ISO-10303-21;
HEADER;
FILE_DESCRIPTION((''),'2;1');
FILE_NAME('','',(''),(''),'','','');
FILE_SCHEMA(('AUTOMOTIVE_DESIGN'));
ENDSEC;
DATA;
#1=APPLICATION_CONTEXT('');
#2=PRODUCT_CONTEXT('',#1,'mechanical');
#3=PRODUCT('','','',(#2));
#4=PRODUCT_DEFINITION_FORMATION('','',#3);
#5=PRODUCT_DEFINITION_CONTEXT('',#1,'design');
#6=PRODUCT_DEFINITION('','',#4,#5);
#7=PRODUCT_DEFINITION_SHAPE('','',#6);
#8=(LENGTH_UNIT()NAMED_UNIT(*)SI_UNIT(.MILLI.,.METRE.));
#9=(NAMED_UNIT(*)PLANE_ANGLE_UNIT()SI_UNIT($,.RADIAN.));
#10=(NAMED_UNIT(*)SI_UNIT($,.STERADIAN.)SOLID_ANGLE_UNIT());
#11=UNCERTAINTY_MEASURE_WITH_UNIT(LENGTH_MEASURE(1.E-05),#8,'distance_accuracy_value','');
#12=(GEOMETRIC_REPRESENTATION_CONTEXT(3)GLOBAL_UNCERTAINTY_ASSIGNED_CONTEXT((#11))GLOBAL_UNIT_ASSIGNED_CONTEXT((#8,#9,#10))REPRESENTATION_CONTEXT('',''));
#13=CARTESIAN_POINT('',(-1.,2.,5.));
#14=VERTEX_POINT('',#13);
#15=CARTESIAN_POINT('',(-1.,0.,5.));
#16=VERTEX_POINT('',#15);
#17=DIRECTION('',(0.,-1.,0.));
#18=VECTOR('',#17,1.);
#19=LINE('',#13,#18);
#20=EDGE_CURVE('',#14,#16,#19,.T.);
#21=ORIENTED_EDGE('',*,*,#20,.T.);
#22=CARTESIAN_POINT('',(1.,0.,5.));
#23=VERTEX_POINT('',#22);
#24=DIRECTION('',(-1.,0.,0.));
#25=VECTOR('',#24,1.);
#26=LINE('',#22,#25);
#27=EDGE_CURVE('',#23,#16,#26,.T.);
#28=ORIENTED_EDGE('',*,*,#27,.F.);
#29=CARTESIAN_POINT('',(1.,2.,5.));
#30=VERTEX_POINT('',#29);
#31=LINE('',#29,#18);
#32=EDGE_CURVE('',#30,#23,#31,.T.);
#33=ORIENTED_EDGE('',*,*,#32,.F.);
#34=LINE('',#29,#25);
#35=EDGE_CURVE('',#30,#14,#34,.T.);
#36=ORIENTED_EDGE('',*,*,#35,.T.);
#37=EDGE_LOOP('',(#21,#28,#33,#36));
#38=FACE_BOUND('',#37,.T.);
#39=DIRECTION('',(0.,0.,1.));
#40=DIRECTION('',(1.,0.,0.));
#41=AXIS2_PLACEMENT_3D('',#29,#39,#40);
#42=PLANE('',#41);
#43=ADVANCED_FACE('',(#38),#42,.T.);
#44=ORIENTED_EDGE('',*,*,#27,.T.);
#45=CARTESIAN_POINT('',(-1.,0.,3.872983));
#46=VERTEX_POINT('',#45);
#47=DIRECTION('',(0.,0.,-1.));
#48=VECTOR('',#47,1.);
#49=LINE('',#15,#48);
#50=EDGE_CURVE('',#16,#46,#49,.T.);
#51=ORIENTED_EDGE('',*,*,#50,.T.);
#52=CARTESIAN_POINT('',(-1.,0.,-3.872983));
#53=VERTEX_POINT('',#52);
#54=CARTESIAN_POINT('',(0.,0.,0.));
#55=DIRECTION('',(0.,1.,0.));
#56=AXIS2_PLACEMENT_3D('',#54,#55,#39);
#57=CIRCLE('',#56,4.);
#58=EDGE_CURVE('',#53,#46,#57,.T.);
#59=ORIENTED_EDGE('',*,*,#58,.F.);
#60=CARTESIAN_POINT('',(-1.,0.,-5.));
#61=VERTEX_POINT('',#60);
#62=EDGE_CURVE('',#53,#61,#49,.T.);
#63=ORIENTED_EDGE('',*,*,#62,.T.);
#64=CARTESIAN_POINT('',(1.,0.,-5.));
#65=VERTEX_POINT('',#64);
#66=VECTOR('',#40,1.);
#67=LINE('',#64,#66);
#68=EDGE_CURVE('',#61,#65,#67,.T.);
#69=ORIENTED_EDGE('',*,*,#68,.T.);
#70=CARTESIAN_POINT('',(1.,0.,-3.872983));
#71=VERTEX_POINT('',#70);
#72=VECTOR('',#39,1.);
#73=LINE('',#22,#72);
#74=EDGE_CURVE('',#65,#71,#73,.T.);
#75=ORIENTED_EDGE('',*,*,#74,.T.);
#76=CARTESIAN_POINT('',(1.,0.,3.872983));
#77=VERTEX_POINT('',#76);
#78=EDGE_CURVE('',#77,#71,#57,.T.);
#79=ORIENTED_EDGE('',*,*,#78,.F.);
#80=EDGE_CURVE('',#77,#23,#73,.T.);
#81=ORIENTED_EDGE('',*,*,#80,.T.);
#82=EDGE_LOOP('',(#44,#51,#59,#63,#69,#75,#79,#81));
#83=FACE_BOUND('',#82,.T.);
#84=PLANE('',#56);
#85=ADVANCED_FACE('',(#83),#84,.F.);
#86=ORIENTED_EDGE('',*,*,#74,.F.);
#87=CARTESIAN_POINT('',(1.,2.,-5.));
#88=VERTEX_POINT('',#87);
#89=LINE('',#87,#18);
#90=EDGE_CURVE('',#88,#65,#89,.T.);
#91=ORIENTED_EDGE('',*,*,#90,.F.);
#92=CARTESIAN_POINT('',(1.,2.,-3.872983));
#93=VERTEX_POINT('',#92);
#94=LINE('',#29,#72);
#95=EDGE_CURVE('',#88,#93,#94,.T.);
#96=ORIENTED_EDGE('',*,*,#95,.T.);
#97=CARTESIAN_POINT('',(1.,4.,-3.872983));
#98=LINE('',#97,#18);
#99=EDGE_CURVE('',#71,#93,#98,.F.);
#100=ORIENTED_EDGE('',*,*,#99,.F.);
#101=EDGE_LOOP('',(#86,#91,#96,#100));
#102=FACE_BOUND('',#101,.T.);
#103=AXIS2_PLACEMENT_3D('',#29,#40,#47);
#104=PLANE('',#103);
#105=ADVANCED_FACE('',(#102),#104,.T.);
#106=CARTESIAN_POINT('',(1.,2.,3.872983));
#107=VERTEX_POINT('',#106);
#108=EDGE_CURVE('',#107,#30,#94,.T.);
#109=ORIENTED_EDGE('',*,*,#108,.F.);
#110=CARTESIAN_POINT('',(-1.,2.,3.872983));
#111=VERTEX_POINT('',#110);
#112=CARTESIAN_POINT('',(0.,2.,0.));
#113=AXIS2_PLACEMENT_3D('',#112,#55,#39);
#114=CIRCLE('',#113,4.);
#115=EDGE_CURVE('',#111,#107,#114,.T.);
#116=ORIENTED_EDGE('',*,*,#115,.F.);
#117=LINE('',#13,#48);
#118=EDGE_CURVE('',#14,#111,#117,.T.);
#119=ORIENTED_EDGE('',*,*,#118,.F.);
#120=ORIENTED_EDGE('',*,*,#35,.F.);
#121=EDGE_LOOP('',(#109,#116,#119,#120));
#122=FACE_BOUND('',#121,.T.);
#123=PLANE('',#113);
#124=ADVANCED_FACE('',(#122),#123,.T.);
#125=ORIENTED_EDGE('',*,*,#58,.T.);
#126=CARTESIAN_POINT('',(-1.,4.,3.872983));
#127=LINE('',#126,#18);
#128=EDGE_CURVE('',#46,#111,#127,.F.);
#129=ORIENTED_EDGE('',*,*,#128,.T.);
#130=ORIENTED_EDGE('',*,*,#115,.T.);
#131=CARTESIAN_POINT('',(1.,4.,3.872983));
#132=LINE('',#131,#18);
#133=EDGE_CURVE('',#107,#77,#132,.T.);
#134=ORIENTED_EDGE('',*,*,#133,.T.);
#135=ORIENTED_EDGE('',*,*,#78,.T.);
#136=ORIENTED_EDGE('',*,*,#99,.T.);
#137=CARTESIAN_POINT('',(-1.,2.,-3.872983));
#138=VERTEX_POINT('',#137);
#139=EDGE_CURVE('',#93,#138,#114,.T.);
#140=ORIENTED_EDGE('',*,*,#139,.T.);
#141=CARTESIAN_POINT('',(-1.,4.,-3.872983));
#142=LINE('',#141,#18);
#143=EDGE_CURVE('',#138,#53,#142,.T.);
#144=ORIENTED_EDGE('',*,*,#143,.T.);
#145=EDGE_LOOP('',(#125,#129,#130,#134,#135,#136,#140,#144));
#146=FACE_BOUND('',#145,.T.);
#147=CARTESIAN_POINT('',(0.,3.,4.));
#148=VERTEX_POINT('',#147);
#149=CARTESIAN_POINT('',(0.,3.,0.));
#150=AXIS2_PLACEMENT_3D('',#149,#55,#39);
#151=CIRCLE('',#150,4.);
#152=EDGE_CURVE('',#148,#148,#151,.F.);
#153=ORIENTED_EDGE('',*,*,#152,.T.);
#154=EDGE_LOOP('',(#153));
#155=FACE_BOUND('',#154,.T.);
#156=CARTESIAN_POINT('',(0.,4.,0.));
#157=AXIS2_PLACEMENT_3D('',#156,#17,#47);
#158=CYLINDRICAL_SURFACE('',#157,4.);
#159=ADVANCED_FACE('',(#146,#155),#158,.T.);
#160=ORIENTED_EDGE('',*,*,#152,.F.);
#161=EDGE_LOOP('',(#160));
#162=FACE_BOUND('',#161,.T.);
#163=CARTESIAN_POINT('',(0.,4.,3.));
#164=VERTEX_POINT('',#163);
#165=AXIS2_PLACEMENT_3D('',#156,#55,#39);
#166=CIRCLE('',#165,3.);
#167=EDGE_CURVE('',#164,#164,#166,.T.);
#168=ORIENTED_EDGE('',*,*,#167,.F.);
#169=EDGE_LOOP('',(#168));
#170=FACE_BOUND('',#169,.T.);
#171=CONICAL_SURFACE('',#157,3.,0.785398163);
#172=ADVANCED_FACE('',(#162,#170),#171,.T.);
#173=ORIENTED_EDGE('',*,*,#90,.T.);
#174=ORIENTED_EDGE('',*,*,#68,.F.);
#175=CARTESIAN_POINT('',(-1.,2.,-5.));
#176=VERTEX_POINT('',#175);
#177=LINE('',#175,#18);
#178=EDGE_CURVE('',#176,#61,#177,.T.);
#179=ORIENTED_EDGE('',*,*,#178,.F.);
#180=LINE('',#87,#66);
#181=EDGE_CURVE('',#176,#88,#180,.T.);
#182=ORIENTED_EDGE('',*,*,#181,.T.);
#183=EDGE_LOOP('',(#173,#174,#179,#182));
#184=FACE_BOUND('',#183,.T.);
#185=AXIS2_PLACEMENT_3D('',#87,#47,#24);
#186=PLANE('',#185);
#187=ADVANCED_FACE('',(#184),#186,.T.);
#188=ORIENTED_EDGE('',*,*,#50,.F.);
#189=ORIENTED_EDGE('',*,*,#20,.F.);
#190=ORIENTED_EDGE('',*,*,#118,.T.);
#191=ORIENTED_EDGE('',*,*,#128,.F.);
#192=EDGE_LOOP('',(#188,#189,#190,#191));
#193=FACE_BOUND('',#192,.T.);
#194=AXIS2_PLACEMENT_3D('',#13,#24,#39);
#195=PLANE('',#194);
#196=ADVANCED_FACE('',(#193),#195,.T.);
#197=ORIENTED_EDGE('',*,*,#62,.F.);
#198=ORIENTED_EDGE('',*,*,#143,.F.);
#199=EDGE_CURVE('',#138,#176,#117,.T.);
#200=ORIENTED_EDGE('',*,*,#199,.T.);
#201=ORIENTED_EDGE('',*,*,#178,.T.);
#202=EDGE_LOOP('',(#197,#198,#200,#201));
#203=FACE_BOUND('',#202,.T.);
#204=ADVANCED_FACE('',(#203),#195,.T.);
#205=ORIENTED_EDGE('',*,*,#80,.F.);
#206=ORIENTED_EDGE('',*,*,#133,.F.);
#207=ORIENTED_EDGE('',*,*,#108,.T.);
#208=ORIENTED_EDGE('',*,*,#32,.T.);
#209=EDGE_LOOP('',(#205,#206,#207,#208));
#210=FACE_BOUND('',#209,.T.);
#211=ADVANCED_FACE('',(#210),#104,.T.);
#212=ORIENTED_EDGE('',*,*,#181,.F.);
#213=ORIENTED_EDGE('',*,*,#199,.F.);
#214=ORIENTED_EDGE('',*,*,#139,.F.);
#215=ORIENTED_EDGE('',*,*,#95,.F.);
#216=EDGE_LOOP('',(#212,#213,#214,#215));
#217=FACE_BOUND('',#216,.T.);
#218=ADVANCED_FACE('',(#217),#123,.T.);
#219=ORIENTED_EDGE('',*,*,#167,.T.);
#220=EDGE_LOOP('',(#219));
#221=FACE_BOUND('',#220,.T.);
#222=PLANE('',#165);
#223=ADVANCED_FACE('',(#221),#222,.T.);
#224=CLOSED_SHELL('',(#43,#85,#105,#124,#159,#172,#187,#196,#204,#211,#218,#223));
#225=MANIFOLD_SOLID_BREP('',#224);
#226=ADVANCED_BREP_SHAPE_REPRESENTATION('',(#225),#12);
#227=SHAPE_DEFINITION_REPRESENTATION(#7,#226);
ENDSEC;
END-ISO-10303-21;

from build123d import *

# Parameters (mm, degrees)
SKETCH1_R           = 4
BOSS_EXTRUDE1_DEPTH = 4
SKETCH2_W           = 2
SKETCH2_H           = 10
BOSS_EXTRUDE2_DEPTH = 2
CHAMFER1_SIZE       = 1


with BuildPart() as part:
    # Sketch1 → Boss-Extrude1 (new body)
    with BuildSketch(Plane(origin=(0, 0, 0), x_dir=(1, 0, 0), z_dir=(0, 1, 0))):
        with Locations(Location((0, 0, 0), (0, 0, 270))):
            Circle(SKETCH1_R)
    extrude(amount=BOSS_EXTRUDE1_DEPTH)

    # Sketch2 → Boss-Extrude2 (add)
    with BuildSketch(Plane.XZ):
        Rectangle(SKETCH2_W, SKETCH2_H)
    extrude(amount=-BOSS_EXTRUDE2_DEPTH)

    # Chamfer1
    chamfer1_edges = [part.edges().sort_by_distance(p)[0] for p in [
        (0, 4, -4),
    ]]
    chamfer(chamfer1_edges, length=CHAMFER1_SIZE)


solid = part.part
